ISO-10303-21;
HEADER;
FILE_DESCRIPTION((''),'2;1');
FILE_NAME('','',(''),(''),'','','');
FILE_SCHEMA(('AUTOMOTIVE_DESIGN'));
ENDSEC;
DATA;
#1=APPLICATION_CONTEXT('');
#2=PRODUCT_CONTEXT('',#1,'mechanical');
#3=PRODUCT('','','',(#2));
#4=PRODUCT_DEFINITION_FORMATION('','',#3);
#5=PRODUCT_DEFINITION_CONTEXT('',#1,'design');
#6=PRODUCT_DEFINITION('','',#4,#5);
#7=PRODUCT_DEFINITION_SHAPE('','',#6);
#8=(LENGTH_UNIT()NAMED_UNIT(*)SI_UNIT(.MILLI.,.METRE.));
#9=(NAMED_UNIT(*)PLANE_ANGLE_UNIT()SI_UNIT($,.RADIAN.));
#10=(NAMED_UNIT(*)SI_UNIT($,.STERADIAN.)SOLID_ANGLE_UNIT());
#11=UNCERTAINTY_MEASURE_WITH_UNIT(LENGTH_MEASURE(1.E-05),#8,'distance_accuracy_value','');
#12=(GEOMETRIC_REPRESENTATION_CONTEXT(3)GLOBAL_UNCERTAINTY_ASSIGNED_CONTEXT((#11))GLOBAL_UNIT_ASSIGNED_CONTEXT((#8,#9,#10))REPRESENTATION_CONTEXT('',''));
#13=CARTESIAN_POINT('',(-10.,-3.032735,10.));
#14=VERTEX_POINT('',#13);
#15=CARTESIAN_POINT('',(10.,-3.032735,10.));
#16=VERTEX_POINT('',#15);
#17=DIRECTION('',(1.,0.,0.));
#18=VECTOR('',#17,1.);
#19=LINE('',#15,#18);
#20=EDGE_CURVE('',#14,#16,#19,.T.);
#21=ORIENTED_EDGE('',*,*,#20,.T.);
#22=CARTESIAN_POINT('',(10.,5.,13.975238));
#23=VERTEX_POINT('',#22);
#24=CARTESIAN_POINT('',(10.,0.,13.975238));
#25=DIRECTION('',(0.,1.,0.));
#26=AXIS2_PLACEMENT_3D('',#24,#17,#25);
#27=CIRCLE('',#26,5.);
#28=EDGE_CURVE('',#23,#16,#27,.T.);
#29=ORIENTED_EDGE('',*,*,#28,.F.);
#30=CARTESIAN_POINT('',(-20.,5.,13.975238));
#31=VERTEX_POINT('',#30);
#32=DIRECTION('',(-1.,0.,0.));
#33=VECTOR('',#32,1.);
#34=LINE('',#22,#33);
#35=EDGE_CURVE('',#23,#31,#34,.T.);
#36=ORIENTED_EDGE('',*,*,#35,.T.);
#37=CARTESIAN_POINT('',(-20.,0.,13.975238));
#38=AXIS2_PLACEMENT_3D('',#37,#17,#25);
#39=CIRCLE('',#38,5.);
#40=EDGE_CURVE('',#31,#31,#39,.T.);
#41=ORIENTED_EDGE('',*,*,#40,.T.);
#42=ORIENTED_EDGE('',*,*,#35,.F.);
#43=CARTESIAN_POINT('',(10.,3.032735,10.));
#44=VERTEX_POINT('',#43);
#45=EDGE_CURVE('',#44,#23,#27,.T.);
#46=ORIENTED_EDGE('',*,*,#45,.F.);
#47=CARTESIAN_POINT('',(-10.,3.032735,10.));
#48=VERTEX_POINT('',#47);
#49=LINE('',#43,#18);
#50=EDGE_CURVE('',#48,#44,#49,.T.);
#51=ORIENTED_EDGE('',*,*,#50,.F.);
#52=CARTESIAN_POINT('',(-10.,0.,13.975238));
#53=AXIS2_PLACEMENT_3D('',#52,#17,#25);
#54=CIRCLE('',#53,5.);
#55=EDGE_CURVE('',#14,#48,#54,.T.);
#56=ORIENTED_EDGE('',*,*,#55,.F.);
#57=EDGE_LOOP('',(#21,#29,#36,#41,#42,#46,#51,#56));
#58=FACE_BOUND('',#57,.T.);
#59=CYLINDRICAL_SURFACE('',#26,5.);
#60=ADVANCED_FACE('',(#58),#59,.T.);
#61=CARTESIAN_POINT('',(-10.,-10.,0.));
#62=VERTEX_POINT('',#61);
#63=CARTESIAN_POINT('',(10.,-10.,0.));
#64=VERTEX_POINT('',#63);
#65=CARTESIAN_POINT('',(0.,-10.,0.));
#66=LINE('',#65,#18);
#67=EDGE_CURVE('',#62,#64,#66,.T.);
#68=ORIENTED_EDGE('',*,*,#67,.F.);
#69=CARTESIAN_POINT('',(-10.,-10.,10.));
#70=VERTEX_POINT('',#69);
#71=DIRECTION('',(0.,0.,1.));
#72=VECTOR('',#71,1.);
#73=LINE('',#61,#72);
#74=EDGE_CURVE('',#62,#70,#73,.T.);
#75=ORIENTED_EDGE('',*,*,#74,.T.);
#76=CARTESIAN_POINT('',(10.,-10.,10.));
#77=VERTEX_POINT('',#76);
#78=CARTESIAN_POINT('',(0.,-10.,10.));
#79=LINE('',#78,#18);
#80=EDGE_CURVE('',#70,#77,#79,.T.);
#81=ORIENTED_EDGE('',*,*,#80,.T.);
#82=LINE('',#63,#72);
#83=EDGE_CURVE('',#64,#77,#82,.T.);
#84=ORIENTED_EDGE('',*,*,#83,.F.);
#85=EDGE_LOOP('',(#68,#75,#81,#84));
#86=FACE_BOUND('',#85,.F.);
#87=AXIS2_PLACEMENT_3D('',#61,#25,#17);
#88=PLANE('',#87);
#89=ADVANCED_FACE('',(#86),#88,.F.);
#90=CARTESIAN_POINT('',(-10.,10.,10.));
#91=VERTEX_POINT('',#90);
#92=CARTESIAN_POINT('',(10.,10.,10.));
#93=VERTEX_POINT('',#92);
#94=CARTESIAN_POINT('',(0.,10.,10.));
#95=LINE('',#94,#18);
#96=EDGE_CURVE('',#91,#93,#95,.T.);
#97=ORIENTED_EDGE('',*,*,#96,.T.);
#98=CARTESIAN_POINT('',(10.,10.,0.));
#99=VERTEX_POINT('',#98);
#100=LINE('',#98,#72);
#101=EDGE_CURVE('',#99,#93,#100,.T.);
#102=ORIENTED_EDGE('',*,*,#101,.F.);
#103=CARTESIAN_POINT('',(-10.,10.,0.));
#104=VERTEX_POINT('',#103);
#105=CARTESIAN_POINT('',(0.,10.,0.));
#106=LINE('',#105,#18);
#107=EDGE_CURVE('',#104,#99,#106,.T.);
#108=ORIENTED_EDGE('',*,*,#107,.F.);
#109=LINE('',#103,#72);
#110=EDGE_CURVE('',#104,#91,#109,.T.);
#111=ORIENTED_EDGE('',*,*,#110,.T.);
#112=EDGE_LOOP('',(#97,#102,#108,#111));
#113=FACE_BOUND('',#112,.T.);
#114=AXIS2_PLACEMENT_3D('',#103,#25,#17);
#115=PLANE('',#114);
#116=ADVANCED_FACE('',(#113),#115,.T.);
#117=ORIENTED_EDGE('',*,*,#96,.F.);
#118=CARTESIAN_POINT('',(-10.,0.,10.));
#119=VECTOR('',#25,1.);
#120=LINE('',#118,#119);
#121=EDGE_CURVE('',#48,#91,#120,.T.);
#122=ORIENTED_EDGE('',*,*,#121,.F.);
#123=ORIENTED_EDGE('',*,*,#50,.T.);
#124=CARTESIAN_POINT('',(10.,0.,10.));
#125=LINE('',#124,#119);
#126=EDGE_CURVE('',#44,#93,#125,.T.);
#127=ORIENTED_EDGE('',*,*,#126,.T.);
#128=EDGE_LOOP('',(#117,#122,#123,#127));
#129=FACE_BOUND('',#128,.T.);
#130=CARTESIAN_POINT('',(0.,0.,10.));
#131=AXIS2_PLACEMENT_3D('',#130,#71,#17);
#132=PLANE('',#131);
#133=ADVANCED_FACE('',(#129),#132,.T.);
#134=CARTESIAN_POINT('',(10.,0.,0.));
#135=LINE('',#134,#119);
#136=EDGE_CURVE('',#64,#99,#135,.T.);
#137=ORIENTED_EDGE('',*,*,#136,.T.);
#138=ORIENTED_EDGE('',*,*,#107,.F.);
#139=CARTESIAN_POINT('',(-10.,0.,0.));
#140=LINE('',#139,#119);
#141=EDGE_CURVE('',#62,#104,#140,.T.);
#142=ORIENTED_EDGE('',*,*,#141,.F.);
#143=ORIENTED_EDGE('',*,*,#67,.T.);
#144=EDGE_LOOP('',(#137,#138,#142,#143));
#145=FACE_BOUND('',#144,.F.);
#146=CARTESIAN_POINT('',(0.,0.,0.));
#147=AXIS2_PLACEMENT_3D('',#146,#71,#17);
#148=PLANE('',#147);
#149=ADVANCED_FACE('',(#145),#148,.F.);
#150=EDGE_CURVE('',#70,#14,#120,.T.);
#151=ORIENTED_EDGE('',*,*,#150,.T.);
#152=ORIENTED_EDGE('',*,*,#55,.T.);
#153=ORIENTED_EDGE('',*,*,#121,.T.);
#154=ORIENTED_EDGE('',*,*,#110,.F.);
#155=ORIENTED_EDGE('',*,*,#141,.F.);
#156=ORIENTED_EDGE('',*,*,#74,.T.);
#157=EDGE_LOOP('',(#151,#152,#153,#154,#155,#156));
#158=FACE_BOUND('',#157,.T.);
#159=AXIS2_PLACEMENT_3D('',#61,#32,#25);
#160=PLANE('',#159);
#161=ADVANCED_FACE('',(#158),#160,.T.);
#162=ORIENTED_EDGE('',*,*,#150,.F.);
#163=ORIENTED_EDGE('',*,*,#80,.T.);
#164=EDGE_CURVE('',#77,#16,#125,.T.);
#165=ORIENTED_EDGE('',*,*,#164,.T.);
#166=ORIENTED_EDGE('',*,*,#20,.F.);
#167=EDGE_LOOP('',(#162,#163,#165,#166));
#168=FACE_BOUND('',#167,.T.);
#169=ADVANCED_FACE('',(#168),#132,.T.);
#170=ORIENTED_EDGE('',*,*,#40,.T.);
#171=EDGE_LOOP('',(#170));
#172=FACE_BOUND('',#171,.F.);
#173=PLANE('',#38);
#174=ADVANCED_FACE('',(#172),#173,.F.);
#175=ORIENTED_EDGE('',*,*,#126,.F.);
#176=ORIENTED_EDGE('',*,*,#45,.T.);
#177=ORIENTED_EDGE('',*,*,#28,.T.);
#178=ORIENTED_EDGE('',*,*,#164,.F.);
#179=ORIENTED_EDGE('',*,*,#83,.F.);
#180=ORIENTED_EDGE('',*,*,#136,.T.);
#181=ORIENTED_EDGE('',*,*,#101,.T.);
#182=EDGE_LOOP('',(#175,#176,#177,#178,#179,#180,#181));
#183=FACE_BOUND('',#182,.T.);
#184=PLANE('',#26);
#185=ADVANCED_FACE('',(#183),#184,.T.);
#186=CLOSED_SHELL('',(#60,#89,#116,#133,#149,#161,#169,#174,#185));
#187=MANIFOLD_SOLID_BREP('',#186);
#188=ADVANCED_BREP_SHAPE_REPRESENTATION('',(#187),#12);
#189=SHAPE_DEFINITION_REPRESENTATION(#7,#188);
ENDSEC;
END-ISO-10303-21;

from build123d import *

# Parameters (mm, degrees)
F0_W     = 20
F0_H     = 20
F1_DEPTH = 10
F2_R     = 5
F3_DEPTH = 30


with BuildPart() as f1:
    # F0 (on Top) → F1 (new body)
    with BuildSketch(Plane.XY):
        Rectangle(F0_W, F0_H)
    extrude(amount=F1_DEPTH)

    # F2 (on face) → F3 (join)
    with BuildSketch(Plane.YZ.offset(10)):
        with Locations((0, 13.975238)):
            Circle(F2_R)
    extrude(amount=-F3_DEPTH)


solid = f1.part
